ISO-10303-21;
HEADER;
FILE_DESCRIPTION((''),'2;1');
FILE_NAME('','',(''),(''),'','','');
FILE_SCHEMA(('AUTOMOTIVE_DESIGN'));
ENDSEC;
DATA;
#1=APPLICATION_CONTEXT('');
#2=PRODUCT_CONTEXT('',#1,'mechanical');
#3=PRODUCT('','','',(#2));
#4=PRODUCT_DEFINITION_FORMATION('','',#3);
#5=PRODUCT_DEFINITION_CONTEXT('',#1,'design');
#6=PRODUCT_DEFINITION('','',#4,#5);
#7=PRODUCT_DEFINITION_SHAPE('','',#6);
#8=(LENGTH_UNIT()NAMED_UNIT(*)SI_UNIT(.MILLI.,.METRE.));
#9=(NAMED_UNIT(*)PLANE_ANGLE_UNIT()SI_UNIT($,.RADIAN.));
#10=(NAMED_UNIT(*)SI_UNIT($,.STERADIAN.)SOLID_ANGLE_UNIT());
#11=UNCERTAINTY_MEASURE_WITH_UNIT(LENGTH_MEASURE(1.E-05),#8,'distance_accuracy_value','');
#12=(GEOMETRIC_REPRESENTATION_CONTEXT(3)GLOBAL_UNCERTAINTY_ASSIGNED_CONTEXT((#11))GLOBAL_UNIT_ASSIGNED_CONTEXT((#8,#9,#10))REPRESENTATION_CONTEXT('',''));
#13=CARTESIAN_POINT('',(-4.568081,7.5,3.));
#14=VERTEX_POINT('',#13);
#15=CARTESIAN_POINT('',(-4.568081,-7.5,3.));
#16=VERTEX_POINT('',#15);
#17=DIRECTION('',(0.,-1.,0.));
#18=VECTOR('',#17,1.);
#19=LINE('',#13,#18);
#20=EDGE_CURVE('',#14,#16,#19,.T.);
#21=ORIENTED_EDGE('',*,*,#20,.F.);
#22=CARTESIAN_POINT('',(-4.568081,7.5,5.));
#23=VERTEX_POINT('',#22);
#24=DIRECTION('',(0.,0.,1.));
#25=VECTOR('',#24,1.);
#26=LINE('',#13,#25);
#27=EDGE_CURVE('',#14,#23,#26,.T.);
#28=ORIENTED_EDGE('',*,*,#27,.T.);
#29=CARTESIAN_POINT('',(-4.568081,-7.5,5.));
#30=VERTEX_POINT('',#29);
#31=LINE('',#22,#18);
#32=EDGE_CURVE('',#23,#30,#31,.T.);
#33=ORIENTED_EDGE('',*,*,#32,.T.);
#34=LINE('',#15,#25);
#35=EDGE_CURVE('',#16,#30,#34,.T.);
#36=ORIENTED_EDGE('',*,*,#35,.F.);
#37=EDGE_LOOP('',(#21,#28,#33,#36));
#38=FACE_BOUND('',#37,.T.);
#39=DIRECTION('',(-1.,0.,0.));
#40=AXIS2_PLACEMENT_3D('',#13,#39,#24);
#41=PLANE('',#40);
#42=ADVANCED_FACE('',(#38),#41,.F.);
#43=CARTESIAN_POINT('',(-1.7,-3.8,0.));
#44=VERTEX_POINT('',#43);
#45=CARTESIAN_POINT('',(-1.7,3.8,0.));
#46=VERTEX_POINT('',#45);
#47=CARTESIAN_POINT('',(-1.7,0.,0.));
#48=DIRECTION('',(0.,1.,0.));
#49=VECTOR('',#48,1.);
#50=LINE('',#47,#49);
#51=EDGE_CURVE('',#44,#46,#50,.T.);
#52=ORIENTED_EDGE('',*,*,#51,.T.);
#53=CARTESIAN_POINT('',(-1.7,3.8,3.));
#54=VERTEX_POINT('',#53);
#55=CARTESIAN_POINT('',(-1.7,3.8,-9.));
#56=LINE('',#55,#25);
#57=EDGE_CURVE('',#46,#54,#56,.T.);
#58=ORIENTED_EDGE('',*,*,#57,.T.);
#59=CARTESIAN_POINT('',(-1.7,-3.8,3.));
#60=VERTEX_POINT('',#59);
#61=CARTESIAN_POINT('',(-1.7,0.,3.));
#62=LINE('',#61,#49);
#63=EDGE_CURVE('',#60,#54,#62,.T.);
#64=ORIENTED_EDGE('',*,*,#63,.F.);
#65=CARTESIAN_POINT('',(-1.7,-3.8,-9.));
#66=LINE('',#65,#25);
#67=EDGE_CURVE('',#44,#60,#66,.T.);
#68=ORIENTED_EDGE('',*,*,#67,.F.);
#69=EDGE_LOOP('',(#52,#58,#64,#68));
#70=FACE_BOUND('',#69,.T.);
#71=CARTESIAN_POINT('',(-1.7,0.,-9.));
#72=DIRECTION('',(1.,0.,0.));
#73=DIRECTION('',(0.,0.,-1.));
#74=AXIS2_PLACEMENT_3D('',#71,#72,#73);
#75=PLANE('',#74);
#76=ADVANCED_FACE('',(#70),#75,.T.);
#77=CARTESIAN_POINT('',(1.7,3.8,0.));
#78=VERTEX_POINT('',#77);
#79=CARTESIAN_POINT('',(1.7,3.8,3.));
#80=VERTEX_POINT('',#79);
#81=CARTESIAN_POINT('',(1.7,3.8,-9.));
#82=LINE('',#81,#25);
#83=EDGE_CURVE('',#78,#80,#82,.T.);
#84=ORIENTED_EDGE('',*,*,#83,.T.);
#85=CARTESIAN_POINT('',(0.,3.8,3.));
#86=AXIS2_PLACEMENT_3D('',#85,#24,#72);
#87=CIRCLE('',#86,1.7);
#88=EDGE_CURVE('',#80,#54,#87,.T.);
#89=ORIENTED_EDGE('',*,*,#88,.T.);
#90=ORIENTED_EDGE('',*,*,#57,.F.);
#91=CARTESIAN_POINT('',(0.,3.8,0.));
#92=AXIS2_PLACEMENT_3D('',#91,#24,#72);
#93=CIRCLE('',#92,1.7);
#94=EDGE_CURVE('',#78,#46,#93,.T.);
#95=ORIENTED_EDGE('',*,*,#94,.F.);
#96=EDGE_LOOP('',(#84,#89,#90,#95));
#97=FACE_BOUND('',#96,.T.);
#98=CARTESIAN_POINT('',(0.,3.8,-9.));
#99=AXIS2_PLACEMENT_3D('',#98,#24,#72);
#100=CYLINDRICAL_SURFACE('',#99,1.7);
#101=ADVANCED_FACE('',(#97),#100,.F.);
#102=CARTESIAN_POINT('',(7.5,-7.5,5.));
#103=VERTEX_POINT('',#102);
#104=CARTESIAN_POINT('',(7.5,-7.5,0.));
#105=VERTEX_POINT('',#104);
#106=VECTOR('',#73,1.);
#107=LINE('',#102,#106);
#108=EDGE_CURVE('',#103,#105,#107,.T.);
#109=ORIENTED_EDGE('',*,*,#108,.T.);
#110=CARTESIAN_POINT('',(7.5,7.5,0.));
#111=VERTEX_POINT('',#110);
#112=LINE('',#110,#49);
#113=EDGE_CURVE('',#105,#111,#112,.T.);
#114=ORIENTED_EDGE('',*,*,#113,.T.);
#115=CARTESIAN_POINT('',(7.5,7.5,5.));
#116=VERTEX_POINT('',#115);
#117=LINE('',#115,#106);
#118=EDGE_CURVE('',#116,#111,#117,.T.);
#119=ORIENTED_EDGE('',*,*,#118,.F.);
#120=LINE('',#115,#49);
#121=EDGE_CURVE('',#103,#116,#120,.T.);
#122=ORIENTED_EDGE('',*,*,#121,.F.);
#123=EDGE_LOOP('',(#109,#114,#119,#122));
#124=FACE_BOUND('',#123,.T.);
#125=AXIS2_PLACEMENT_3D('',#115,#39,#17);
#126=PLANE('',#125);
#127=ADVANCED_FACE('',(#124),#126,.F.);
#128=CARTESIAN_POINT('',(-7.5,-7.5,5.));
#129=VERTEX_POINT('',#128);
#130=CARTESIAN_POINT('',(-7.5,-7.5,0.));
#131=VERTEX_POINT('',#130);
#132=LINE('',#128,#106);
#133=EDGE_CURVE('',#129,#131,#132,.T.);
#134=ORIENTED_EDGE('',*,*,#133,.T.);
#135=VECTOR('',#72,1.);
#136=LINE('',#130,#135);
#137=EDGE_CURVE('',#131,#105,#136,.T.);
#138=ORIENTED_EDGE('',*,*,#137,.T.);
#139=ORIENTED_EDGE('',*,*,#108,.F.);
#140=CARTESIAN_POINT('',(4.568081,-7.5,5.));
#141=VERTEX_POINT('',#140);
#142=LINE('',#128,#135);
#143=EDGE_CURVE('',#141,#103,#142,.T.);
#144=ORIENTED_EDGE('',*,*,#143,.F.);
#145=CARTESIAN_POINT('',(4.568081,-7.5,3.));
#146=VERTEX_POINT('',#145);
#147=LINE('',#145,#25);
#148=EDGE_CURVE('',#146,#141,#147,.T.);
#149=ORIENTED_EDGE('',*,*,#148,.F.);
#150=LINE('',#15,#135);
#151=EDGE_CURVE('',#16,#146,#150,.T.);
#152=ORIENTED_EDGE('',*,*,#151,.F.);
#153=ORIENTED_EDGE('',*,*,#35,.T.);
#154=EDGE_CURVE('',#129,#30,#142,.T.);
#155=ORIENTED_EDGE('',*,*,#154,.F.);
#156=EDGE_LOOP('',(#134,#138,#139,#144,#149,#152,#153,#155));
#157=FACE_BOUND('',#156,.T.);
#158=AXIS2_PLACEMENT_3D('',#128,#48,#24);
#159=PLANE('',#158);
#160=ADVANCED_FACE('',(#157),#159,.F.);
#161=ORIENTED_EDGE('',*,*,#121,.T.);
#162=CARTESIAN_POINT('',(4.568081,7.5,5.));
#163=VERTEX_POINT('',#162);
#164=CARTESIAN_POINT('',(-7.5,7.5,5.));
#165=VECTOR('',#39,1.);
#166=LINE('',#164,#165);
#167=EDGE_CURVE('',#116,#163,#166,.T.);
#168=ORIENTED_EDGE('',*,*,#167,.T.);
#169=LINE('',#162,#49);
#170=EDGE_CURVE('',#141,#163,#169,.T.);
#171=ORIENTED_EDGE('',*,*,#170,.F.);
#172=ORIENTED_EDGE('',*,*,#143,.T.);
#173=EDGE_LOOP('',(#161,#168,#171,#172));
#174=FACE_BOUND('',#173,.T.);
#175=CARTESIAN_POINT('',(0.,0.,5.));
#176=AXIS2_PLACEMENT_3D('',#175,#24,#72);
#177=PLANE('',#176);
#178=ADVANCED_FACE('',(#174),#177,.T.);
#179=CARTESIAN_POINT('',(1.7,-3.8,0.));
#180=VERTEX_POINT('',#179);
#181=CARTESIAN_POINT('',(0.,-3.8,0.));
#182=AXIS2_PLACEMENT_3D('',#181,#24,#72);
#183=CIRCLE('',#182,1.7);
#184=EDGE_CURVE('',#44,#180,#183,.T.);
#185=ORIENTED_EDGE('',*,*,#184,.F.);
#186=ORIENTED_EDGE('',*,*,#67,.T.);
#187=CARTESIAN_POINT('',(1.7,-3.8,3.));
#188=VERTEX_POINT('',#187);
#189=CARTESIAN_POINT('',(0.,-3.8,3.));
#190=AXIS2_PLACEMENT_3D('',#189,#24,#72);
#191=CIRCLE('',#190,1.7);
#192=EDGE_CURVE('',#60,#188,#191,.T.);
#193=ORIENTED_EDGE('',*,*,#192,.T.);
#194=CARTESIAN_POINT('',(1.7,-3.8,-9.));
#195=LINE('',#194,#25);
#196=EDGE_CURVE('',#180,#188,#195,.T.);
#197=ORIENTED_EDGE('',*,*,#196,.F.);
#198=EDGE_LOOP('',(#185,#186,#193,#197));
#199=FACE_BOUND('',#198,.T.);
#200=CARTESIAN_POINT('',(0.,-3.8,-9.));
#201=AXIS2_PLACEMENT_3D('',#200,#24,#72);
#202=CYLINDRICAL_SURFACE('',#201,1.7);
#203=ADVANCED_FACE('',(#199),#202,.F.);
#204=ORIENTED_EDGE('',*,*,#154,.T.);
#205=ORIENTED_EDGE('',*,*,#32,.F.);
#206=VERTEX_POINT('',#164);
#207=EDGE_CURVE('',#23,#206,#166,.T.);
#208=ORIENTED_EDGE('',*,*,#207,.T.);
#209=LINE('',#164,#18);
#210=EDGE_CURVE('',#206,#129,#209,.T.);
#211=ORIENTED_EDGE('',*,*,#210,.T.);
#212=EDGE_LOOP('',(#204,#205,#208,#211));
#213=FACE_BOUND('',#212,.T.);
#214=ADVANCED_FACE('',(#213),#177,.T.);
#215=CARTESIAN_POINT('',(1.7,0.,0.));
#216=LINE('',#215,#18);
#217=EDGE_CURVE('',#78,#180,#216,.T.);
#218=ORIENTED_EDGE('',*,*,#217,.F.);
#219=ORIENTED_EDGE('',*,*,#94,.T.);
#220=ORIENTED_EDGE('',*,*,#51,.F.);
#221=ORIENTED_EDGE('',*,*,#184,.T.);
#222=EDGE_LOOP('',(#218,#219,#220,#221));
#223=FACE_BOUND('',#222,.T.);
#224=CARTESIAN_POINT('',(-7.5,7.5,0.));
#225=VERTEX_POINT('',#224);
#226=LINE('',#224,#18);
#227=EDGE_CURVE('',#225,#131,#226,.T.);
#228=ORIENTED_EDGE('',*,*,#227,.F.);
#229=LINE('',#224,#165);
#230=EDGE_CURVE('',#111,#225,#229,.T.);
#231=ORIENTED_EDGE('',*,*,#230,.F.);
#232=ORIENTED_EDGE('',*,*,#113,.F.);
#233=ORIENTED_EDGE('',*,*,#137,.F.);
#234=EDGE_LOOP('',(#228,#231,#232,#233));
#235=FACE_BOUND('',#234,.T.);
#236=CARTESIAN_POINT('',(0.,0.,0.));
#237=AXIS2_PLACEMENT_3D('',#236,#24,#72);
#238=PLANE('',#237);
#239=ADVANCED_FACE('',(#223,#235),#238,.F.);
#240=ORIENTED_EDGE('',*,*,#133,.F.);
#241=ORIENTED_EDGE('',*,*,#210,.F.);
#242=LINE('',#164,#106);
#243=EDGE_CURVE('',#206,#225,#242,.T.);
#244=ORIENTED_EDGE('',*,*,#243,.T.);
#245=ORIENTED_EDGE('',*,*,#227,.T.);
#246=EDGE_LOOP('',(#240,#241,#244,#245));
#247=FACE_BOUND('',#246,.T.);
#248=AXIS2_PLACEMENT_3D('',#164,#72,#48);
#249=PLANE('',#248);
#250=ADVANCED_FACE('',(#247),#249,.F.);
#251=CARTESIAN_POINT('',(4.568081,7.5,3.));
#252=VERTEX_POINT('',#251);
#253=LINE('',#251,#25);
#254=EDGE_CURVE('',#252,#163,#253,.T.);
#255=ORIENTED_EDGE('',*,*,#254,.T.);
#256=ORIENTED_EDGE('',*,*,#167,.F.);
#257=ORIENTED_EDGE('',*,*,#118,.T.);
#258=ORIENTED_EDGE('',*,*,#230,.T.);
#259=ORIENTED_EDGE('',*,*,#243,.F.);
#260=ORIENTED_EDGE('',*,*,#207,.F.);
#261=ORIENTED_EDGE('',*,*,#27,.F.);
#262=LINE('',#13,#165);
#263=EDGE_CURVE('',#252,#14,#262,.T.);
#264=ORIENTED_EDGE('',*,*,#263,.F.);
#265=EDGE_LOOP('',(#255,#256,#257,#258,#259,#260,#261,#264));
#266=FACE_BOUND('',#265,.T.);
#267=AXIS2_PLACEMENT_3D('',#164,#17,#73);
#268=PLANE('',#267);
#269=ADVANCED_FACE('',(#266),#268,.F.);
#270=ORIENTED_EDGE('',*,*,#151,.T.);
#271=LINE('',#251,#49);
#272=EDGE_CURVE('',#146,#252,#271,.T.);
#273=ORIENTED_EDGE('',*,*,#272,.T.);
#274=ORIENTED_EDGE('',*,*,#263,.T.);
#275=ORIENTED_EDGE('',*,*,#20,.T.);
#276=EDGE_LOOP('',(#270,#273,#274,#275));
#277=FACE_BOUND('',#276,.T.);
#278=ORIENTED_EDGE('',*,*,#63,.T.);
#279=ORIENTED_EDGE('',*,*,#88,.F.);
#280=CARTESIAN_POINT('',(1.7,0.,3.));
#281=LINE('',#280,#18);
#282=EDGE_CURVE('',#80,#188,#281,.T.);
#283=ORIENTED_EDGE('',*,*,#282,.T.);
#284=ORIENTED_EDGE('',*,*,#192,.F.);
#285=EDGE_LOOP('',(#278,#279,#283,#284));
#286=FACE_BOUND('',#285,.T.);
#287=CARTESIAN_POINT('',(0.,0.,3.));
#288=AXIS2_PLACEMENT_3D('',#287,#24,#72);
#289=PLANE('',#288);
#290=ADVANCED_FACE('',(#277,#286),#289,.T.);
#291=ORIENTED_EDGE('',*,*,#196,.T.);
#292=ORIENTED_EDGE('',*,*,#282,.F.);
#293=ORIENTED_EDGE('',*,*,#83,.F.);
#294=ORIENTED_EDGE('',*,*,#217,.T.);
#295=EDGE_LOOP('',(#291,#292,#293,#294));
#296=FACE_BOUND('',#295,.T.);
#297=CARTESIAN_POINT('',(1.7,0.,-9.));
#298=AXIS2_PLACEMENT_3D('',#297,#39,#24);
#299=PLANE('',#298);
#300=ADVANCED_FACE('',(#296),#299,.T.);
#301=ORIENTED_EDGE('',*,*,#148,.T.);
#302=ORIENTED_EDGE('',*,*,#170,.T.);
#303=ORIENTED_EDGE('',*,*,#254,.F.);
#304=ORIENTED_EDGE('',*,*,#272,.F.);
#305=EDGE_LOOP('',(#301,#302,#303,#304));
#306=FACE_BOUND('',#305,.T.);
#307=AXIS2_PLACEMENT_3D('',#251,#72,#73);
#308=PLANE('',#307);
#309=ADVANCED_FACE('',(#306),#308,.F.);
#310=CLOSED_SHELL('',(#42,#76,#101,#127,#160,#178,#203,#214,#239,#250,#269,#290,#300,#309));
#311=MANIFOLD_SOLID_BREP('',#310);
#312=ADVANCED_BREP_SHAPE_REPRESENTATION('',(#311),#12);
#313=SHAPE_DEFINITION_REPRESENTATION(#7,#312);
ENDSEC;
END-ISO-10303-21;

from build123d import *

# Parameters (mm, degrees)
SKETCH1_W           = 15
SKETCH1_H           = 15
BOSS_EXTRUDE1_DEPTH = 5
SKETCH2_W           = 9.136161194
SKETCH2_H           = 15
CUT_EXTRUDE1_DEPTH  = 2
CUT_EXTRUDE2_DEPTH  = 12


with BuildPart() as part:
    # Sketch1 → Boss-Extrude1 (new body)
    with BuildSketch(Plane.XY):
        Rectangle(SKETCH1_W, SKETCH1_H)
    extrude(amount=BOSS_EXTRUDE1_DEPTH)

    # Sketch2 → Cut-Extrude1 (cut)
    with BuildSketch(Plane.XY.offset(5)):
        Rectangle(SKETCH2_W, SKETCH2_H)
    extrude(amount=-CUT_EXTRUDE1_DEPTH, mode=Mode.SUBTRACT)

    # Sketch3 → Cut-Extrude2 (cut)
    with BuildSketch(Plane.XY.offset(3)):
        with BuildLine():
            Line((-1.7, 3.8), (-1.7, -3.8))
            ThreePointArc((-1.7, -3.8), (0, -5.5), (1.7, -3.8))
            Line((1.7, -3.8), (1.7, 3.8))
            ThreePointArc((1.7, 3.8), (0, 5.5), (-1.7, 3.8))
        make_face()
    extrude(amount=-CUT_EXTRUDE2_DEPTH, mode=Mode.SUBTRACT)


solid = part.part
